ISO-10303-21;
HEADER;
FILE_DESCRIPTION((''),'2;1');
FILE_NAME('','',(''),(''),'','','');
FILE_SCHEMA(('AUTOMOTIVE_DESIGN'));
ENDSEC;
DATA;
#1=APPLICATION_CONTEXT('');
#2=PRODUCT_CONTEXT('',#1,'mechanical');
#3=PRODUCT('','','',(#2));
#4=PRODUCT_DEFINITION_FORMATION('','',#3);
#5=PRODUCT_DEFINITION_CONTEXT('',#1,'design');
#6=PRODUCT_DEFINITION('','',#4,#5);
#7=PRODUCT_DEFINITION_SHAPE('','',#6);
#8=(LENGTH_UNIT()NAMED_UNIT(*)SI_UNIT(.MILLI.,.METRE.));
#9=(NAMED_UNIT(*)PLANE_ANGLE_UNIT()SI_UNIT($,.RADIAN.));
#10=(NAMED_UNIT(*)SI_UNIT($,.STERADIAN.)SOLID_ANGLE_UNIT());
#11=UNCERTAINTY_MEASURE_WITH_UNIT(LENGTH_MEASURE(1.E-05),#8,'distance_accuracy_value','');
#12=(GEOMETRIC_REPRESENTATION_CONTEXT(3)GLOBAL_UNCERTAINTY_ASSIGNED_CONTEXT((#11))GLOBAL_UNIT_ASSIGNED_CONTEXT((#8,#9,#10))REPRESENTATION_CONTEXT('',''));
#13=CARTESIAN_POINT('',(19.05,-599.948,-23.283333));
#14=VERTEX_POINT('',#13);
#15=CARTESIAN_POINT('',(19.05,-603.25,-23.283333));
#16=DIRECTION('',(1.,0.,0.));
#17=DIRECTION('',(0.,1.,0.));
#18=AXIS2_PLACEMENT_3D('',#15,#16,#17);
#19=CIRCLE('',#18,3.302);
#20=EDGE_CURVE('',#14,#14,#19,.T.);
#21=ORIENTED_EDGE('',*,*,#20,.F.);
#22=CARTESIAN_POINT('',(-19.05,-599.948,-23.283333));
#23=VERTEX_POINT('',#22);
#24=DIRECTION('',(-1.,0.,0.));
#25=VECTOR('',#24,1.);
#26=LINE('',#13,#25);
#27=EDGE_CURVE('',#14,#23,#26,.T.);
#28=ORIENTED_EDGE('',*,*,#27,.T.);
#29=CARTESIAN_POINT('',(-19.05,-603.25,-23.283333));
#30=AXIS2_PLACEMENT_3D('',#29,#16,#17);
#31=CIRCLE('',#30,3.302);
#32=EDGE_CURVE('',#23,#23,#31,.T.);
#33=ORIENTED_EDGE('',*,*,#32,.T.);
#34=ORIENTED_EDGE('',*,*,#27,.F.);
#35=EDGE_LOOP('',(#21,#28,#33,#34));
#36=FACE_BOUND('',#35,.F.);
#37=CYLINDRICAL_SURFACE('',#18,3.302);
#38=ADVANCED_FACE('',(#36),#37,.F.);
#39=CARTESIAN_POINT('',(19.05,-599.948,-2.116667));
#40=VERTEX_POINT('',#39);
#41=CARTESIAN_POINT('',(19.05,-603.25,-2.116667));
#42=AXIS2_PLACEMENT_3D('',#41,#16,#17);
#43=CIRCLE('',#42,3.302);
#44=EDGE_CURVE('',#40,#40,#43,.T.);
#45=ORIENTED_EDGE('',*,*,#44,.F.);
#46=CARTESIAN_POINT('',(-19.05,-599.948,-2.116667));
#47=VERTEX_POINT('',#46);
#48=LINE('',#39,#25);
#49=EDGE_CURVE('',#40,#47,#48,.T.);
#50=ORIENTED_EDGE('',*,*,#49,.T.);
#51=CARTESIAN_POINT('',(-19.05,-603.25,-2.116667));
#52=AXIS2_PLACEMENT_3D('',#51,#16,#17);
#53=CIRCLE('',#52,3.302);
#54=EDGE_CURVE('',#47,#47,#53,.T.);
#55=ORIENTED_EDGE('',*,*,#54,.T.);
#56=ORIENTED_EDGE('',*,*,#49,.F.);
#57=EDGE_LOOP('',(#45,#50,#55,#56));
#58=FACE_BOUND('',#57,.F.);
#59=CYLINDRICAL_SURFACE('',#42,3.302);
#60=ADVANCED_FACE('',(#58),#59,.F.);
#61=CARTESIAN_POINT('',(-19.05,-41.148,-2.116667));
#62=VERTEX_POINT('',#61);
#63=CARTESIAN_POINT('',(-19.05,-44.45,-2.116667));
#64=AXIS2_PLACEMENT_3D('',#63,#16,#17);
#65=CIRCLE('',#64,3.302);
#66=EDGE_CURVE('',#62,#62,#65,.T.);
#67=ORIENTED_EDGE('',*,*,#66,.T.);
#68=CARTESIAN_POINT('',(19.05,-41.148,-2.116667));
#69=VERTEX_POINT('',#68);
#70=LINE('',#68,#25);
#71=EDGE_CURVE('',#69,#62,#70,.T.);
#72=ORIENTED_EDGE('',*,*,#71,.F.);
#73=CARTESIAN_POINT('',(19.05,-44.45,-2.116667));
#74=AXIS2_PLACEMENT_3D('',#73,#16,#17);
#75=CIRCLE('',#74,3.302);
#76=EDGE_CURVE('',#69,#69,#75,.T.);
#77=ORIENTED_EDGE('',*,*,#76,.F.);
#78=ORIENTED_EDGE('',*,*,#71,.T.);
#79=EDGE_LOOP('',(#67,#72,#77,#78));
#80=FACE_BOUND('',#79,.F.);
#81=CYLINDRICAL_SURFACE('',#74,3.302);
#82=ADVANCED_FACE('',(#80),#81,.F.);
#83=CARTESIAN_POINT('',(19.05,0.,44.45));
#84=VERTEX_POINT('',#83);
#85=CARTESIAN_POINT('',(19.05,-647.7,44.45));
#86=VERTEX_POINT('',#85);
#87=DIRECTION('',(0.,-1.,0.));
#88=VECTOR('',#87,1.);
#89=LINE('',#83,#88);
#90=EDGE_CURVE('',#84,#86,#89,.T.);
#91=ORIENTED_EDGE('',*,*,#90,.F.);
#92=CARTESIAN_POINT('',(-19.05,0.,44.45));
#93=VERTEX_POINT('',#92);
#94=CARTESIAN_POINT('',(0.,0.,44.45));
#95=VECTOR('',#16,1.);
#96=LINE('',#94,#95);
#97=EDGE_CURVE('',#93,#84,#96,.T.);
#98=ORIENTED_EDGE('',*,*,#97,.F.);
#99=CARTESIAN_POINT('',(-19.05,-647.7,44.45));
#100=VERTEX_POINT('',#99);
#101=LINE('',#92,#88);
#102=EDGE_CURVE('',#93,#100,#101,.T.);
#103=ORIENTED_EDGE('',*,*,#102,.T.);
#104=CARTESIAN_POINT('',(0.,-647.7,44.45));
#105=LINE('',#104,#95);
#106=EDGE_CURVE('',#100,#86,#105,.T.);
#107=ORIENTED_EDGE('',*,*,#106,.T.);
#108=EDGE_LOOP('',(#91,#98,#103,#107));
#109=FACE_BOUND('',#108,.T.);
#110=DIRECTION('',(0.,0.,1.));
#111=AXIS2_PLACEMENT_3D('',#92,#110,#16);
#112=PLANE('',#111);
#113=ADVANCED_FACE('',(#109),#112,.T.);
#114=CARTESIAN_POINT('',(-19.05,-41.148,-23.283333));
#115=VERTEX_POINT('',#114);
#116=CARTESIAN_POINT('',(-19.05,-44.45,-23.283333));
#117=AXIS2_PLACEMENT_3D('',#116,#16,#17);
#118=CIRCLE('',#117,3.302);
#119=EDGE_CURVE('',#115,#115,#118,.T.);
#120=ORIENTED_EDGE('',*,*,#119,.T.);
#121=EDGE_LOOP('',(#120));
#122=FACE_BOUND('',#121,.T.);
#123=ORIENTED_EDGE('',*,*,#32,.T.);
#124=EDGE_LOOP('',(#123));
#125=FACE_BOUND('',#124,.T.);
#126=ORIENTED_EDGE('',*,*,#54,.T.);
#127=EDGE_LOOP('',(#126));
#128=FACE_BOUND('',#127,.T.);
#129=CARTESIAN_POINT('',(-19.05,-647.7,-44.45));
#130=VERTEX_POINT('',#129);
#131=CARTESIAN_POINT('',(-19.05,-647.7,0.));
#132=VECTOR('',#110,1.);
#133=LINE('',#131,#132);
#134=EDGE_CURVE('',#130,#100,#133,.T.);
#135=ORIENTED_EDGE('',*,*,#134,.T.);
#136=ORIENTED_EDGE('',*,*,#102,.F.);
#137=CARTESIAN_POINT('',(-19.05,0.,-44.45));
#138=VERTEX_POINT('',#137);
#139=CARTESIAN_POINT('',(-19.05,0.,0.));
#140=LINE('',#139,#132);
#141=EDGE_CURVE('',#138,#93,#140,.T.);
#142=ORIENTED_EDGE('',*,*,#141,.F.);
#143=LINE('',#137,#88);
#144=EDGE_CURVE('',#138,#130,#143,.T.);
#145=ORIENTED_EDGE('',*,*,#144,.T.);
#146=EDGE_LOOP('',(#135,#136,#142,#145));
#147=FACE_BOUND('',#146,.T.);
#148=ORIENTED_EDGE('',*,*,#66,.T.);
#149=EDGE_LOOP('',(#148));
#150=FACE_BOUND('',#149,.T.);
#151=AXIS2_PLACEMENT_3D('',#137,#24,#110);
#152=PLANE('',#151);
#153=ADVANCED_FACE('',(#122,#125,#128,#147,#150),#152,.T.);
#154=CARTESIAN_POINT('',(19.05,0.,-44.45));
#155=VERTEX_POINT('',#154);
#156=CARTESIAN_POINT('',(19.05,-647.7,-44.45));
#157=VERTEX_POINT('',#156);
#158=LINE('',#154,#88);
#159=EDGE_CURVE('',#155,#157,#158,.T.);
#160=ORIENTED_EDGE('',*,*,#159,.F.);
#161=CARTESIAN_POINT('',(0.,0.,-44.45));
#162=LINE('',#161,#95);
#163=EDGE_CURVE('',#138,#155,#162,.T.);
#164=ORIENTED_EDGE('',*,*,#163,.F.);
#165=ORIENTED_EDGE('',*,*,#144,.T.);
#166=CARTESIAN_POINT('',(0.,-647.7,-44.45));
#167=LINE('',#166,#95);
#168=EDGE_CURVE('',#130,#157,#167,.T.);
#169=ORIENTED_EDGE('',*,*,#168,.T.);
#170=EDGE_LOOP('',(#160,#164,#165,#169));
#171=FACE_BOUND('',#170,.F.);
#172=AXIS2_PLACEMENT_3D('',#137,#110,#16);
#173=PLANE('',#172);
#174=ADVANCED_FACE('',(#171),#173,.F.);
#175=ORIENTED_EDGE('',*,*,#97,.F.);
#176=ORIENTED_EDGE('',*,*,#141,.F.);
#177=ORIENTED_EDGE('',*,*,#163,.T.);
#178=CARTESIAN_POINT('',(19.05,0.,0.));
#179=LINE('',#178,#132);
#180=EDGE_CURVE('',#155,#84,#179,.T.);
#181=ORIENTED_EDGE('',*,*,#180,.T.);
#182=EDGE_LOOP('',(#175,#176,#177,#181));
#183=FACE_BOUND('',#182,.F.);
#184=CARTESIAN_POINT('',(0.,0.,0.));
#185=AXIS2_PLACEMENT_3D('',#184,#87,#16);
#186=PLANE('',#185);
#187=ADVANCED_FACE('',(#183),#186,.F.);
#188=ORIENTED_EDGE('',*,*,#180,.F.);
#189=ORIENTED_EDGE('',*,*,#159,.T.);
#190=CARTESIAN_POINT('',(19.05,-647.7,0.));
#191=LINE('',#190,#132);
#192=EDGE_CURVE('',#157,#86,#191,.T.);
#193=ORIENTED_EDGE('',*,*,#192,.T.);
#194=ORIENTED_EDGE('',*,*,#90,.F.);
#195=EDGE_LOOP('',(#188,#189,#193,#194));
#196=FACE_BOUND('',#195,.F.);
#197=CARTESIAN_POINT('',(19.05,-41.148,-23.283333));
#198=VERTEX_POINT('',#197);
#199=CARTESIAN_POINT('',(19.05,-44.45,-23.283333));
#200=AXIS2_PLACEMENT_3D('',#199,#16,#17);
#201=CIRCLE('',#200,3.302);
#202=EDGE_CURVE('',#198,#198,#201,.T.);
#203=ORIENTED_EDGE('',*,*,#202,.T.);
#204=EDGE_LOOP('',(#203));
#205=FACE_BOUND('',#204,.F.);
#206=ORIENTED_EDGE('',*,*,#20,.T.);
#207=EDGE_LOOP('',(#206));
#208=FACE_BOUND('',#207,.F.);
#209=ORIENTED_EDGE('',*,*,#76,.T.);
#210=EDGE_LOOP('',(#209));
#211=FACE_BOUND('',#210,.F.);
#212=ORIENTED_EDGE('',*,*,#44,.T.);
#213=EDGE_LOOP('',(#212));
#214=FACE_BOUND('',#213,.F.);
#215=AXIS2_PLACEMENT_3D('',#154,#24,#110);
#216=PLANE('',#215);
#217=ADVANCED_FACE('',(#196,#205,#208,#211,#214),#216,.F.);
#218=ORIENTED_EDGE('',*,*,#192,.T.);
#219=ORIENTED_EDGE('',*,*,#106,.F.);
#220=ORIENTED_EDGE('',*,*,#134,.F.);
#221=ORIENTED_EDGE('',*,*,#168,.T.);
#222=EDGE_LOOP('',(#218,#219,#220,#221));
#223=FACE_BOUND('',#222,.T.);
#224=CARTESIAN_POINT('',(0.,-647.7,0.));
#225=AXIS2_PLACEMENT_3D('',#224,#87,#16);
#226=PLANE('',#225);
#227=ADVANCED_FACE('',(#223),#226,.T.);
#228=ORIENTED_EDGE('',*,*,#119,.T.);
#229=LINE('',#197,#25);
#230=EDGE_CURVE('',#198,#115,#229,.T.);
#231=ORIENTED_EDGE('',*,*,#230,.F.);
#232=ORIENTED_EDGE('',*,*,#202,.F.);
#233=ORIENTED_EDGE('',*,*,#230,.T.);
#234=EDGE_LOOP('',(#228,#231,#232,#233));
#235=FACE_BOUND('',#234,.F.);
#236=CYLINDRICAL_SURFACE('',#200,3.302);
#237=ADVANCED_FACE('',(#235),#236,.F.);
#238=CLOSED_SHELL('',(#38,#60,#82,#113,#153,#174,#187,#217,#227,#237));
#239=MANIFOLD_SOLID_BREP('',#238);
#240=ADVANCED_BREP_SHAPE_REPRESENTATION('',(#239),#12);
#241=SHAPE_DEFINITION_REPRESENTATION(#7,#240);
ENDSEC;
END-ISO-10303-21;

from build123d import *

# Parameters (mm, degrees)
F0_W     = 38.1
F0_H     = 88.9
F1_DEPTH = 647.7
F2_R     = 3.302
F3_DEPTH = 38.101


with BuildPart() as f1:
    # F0 (on Front) → F1 (new body)
    with BuildSketch(Plane.XZ):
        Rectangle(F0_W, F0_H)
    extrude(amount=F1_DEPTH)

    # F2 (on face) → F3 (cut, through all)
    with BuildSketch(Plane.YZ.offset(19.05)):
        with Locations((-603.25, -2.116667)):
            Circle(F2_R)
        with Locations((-603.25, -23.283333)):
            Circle(F2_R)
        with Locations((-44.45, -23.283333)):
            Circle(F2_R)
        with Locations((-44.45, -2.116667)):
            Circle(F2_R)
    extrude(amount=-F3_DEPTH, mode=Mode.SUBTRACT)


solid = f1.part
